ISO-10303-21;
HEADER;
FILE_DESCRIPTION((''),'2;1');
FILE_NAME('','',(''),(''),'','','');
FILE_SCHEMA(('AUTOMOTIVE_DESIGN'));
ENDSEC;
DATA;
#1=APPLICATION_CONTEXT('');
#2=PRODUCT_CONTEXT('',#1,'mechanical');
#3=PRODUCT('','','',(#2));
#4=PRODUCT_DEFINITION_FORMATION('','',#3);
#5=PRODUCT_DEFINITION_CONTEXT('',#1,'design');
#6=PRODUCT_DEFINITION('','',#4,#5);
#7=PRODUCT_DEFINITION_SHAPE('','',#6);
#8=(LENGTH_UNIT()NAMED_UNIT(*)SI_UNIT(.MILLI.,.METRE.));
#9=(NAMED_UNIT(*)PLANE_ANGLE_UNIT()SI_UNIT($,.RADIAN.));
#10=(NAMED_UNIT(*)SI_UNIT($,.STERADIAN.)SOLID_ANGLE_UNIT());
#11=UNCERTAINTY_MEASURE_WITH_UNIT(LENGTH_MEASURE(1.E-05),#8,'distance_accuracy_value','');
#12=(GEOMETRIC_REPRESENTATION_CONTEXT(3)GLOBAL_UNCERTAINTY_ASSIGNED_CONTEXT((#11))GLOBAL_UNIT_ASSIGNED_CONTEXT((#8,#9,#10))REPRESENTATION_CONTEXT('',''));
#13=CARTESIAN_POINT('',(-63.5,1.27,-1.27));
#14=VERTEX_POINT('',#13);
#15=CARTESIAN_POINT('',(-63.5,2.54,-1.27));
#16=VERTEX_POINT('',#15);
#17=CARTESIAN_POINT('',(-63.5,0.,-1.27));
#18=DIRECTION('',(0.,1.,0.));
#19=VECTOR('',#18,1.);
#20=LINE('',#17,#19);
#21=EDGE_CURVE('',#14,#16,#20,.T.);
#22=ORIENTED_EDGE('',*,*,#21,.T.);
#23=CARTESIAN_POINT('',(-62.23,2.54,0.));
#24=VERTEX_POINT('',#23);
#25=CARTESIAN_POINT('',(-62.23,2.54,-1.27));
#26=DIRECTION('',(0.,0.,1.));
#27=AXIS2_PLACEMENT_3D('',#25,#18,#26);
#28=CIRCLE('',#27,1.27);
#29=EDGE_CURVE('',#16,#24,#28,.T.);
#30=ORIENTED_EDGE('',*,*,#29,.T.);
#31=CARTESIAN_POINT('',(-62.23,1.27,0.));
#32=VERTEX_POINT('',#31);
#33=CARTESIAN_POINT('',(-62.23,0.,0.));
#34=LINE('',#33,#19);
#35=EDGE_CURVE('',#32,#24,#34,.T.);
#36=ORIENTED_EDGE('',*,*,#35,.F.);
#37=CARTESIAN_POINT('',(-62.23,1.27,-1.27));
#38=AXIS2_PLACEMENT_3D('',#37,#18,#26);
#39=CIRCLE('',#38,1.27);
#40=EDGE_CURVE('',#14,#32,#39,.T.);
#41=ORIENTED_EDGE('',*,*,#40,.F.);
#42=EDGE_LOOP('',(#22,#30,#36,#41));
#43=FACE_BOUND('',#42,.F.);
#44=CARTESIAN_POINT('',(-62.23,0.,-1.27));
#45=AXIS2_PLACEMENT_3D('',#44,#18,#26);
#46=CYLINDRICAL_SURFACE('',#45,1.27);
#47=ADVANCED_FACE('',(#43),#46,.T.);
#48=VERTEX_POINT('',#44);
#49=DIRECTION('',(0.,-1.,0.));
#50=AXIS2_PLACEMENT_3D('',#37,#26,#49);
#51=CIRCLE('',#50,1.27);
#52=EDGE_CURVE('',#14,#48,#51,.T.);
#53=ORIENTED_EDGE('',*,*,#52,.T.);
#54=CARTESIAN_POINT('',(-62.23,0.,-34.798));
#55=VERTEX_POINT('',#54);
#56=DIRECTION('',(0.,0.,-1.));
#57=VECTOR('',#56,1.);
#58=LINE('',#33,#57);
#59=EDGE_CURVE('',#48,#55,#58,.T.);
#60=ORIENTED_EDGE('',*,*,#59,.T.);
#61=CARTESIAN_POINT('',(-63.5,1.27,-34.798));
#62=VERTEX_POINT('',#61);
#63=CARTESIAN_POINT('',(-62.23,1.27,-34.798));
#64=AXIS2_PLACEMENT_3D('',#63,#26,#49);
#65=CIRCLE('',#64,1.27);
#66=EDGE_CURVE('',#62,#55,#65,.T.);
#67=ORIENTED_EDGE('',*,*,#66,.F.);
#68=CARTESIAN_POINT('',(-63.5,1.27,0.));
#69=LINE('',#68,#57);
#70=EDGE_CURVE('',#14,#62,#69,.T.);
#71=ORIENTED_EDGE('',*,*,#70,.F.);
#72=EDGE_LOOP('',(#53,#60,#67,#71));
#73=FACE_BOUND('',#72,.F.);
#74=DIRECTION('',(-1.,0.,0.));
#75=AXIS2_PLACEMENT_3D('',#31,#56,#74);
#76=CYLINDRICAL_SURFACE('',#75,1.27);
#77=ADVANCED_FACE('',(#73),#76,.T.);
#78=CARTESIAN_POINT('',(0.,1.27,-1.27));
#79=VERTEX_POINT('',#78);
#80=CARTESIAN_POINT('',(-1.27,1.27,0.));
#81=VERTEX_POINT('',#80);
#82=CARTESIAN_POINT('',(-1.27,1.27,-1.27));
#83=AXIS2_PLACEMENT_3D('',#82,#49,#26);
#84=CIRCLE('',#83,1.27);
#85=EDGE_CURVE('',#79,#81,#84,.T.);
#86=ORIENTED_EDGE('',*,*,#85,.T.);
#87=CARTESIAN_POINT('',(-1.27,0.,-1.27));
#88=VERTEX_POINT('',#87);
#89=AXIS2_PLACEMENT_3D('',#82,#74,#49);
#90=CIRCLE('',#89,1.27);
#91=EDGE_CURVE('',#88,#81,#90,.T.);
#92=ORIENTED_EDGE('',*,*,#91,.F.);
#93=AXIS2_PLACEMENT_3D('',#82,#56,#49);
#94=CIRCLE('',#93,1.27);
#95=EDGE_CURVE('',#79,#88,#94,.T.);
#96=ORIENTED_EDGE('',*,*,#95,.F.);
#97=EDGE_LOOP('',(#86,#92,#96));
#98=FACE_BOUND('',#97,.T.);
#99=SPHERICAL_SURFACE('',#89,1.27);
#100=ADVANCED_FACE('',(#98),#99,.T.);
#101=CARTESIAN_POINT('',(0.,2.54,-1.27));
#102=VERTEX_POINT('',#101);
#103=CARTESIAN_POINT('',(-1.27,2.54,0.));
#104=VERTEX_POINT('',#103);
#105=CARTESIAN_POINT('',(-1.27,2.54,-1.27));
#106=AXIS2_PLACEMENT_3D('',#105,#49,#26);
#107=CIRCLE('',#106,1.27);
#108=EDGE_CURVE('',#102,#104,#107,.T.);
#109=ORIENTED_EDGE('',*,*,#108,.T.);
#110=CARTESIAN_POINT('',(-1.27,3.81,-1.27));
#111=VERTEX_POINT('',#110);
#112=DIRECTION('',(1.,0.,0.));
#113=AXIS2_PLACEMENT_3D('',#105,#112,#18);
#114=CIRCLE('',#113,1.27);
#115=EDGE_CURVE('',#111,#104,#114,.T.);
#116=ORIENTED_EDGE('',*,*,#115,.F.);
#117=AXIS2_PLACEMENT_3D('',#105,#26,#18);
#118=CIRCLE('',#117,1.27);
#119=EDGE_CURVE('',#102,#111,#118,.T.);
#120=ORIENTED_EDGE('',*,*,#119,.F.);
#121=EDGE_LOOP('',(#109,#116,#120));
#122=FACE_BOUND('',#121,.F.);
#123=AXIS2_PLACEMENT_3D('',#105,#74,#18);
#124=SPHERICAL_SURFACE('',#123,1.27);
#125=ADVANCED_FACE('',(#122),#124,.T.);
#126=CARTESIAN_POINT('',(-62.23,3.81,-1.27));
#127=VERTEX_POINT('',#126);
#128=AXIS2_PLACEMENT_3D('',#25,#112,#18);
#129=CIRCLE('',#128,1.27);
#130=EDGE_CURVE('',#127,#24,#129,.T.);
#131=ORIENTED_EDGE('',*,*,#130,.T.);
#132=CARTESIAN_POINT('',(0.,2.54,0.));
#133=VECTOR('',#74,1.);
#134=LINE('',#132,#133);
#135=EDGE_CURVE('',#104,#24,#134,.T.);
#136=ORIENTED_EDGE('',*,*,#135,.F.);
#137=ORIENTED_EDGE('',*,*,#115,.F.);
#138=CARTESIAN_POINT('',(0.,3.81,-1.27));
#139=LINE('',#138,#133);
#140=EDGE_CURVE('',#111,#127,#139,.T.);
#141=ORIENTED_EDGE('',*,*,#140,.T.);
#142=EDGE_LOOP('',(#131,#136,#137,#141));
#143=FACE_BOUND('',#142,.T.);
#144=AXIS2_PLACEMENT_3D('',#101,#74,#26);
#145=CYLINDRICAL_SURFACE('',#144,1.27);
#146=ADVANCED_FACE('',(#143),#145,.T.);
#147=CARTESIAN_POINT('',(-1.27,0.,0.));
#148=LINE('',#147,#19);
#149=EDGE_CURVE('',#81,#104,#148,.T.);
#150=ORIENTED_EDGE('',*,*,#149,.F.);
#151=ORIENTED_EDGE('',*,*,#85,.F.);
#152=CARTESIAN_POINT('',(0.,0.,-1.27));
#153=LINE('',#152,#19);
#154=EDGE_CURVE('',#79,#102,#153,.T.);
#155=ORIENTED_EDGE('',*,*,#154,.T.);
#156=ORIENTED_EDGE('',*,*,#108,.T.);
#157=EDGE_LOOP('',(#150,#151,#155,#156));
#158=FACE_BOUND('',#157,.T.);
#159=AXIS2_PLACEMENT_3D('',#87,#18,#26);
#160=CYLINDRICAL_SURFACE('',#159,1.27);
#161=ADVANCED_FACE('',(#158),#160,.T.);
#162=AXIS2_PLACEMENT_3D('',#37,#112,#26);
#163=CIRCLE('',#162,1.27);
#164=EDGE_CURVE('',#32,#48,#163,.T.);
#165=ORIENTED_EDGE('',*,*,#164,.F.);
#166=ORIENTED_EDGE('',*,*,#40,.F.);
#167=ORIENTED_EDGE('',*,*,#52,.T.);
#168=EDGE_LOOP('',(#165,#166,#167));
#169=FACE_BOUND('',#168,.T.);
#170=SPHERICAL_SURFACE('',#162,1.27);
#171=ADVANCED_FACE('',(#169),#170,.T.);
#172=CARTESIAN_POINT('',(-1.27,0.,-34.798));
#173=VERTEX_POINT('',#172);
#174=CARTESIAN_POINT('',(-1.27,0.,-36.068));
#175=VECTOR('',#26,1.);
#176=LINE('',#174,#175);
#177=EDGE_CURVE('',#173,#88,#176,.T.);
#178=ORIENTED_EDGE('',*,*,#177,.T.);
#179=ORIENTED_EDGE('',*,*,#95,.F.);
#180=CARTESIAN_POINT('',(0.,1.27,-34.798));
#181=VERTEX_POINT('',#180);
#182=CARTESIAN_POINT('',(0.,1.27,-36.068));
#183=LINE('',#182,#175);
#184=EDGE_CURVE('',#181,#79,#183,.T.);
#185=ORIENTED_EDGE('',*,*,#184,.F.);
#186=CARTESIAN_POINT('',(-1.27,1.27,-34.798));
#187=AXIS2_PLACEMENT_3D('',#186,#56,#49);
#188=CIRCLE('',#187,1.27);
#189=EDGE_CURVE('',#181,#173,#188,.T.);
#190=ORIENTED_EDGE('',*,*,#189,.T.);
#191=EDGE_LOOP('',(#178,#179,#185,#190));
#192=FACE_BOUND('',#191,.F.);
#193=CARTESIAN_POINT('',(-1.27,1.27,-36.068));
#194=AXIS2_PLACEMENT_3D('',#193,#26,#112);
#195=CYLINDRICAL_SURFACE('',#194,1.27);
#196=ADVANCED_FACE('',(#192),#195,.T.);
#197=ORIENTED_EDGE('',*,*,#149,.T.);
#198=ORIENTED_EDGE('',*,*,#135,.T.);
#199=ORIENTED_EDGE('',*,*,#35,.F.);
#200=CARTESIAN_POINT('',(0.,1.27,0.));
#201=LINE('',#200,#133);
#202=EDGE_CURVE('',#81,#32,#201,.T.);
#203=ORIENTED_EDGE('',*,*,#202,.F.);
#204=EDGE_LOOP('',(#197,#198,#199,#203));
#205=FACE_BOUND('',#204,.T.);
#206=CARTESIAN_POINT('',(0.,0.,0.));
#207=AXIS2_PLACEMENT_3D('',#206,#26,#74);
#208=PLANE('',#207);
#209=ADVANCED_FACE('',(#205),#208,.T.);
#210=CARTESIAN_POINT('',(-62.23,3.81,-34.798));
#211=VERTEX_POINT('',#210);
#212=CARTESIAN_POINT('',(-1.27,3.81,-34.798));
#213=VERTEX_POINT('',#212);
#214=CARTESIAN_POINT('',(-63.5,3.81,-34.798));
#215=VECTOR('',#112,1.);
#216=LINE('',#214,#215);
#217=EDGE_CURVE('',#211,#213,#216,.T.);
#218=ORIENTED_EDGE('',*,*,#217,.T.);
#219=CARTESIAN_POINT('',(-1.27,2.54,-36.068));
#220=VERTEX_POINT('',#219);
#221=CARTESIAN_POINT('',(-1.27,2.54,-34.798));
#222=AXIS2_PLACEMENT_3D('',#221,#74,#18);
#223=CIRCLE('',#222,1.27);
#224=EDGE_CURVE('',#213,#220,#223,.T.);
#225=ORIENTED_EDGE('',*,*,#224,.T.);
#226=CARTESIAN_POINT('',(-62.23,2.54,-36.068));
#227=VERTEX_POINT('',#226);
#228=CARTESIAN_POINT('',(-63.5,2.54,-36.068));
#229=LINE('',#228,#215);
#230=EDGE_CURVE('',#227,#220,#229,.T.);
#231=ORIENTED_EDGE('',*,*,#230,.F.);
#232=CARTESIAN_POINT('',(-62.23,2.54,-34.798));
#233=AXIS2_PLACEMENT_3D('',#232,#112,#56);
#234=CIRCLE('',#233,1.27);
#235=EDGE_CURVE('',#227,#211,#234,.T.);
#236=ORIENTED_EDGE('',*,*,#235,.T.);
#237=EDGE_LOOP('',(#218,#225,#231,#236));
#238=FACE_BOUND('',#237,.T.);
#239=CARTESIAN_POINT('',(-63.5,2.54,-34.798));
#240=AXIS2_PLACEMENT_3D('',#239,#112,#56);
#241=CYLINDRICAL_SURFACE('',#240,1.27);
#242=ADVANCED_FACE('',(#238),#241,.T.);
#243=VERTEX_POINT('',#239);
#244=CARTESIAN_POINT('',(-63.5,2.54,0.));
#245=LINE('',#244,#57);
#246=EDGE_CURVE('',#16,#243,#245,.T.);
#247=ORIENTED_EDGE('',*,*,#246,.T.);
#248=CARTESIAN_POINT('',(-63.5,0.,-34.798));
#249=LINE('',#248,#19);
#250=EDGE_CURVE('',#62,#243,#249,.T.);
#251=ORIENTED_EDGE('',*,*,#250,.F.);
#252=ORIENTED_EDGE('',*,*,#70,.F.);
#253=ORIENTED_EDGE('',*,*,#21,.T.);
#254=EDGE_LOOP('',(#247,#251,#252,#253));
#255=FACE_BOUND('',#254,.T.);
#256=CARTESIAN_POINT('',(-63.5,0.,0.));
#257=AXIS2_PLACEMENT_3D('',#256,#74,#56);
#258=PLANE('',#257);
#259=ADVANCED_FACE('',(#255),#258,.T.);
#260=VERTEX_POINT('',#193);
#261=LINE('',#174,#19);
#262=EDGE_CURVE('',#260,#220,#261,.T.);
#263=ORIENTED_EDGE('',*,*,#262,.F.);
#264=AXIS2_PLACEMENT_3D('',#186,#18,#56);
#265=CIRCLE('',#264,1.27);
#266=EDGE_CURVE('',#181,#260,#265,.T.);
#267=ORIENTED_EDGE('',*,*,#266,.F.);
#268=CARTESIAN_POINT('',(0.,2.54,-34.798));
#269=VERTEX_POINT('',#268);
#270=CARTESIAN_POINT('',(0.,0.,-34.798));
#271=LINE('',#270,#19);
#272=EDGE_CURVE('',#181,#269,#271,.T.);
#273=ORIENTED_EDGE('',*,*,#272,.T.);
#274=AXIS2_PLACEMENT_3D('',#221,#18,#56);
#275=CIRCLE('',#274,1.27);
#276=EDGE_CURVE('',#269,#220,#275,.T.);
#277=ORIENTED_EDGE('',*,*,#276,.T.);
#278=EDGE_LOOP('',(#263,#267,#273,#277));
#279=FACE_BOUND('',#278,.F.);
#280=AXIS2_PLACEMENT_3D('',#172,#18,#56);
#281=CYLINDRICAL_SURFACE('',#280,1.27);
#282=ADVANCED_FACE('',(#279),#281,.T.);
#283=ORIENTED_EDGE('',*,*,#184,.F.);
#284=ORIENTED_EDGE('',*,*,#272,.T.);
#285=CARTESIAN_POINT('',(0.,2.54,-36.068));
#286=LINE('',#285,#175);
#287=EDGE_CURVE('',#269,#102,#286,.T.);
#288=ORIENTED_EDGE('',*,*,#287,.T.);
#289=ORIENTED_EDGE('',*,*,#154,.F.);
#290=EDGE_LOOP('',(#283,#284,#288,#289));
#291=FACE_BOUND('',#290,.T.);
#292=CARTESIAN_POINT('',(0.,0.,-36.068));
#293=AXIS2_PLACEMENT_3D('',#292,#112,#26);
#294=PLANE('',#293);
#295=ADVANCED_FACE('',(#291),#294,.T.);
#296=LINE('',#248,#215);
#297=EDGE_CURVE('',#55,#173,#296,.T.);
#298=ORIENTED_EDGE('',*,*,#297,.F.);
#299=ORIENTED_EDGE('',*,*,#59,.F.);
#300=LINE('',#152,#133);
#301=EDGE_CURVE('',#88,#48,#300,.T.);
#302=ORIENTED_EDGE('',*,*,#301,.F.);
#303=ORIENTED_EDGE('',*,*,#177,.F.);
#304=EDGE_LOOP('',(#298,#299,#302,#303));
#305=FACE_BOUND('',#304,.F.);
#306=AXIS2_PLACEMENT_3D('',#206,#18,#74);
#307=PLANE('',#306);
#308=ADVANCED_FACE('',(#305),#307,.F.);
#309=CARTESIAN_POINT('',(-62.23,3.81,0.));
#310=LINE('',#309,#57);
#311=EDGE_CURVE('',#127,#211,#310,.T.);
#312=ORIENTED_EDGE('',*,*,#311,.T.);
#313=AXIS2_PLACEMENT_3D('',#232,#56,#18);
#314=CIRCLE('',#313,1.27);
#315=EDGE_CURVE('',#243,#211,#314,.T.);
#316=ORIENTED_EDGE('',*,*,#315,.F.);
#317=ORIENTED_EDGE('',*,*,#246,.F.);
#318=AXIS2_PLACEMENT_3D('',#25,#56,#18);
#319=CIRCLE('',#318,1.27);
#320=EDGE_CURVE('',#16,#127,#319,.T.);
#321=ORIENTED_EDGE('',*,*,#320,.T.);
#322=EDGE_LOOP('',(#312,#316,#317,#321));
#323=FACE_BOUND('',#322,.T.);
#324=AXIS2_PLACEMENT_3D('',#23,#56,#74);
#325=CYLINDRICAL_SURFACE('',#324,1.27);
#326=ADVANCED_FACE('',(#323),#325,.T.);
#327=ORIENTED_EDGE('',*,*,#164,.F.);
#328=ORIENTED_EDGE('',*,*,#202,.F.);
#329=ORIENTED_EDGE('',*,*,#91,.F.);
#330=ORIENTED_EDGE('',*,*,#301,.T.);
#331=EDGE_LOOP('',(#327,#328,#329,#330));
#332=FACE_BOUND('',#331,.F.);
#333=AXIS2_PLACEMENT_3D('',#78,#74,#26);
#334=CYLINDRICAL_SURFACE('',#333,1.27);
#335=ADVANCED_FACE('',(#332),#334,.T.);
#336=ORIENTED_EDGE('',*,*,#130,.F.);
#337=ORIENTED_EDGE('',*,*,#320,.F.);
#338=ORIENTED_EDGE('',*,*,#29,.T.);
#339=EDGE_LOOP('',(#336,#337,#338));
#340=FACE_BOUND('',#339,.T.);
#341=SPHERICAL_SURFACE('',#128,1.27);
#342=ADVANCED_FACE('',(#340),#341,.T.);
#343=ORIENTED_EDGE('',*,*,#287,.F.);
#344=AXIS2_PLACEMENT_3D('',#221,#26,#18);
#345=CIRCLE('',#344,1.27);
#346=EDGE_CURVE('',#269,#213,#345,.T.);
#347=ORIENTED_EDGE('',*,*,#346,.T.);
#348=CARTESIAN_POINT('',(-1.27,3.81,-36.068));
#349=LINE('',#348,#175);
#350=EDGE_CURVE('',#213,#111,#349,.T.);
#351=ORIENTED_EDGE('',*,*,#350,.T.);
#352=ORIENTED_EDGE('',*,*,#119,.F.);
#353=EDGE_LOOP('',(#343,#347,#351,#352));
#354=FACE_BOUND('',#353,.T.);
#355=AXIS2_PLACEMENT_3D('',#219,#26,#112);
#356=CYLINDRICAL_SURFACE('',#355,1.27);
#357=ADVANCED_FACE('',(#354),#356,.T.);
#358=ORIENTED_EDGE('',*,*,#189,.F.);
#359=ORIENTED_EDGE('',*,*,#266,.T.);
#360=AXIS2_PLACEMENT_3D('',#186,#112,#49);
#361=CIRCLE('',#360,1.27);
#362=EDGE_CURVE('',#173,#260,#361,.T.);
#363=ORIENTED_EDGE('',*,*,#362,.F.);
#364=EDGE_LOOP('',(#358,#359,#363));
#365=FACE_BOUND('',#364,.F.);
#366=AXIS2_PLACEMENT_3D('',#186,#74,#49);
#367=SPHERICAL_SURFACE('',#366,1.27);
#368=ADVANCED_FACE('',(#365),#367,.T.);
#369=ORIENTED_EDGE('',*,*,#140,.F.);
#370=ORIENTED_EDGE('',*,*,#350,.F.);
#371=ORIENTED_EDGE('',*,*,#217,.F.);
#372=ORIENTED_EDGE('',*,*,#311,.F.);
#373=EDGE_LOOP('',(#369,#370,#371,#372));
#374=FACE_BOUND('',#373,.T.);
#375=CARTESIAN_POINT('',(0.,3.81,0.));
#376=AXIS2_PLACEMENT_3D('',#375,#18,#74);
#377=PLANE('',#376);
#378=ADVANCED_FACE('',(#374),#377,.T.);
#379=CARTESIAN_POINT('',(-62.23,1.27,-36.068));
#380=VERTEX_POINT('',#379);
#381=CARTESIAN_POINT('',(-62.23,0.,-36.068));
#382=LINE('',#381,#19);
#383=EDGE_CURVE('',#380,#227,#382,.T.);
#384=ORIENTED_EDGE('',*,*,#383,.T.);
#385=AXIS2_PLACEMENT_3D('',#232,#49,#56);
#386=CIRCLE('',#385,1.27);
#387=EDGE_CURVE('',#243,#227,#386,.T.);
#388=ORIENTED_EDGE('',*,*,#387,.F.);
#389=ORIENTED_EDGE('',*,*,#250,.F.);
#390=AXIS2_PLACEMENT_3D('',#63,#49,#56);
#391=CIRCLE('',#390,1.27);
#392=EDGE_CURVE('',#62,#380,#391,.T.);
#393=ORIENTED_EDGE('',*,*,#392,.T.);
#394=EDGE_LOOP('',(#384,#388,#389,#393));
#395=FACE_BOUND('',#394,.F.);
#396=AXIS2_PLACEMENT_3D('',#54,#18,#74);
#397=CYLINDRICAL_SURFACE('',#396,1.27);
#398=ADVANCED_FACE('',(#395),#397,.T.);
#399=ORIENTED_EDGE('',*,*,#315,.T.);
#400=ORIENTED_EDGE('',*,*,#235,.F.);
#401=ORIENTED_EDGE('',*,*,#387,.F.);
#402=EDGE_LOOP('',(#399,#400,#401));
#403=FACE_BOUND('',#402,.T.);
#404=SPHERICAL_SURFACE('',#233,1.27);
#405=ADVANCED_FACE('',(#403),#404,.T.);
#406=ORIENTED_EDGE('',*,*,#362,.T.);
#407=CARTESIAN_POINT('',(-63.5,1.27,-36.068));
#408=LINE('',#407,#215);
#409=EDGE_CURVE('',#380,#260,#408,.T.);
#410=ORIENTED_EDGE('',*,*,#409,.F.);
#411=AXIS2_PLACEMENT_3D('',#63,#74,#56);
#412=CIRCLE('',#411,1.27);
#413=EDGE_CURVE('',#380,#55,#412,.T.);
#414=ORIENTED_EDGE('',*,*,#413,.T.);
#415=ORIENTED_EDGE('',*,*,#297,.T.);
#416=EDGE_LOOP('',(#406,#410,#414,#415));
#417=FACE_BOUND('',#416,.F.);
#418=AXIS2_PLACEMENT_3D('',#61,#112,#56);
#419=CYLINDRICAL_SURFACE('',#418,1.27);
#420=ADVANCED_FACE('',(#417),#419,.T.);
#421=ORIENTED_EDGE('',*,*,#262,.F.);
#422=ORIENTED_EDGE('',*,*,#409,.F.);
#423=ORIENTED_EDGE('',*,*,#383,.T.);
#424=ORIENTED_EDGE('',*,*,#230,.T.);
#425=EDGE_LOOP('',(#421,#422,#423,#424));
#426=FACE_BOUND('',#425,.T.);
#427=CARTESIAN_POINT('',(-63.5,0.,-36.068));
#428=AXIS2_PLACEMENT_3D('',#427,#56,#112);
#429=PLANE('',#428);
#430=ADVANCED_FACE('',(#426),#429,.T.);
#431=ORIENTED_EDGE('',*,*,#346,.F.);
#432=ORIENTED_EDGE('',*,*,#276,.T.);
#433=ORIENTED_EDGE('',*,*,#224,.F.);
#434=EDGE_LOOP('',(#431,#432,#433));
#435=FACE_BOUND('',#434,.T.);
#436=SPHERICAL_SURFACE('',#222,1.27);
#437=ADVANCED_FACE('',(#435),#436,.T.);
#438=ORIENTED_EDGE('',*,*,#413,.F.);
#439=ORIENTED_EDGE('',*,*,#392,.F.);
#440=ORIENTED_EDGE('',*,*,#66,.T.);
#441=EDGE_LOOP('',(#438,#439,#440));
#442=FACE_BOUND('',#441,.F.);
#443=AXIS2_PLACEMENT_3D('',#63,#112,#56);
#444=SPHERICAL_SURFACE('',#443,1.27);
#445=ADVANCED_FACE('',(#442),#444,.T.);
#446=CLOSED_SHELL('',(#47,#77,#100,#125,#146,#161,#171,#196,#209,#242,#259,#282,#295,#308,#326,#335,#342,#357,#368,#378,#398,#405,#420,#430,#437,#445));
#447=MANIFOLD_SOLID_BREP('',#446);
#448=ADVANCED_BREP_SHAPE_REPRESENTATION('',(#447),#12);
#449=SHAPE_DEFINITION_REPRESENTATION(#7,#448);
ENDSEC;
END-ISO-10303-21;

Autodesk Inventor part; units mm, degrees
ref_plane "YZ Plane" through (0, 0, 0) normal (1, 0, 0) x (0, 1, 0)
ref_plane "XZ Plane" through (0, 0, 0) normal (0, 1, 0) x (-1, 0, 0)
ref_plane "XY Plane" through (0, 0, 0) normal (0, 0, 1) x (1, 0, 0)
sketch "Sketch1" plane through (0, 0, 0) normal (0, 1, 0) x (-1, 0, 0)
  line L0 (0, 0) -> (63.5, 0)
  line L1 (63.5, 0) -> (63.5, -36.068)
  line L2 (63.5, -36.068) -> (0, -36.068)
  line L3 (0, -36.068) -> (0, 0)
  dimension "d0" = 63.5
  dimension "d1" = 36.068
extrude "Extrusion1" add sketch "Sketch1" along normal blind 3.81
sketch "Sketch2" plane through (0, 0, 0) normal (1, 0, 0) x (0, 0, -1)
  point P0 (0, 0)
fillet "Fillet1" radius 1.27 12 edges at (-31.75, 3.81, 0) (-31.75, 3.81, -36.068) (-31.75, 0, 0) (-31.75, 0, -36.068) (0, 0, -18.034) (0, 3.81, -18.034) (0, 1.905, 0) (0, 1.905, -36.068) (-63.5, 1.905, -36.068) (-63.5, 3.81, -18.034) (-63.5, 1.905, 0) (-63.5, 0, -18.034)
properties part number "battery"
